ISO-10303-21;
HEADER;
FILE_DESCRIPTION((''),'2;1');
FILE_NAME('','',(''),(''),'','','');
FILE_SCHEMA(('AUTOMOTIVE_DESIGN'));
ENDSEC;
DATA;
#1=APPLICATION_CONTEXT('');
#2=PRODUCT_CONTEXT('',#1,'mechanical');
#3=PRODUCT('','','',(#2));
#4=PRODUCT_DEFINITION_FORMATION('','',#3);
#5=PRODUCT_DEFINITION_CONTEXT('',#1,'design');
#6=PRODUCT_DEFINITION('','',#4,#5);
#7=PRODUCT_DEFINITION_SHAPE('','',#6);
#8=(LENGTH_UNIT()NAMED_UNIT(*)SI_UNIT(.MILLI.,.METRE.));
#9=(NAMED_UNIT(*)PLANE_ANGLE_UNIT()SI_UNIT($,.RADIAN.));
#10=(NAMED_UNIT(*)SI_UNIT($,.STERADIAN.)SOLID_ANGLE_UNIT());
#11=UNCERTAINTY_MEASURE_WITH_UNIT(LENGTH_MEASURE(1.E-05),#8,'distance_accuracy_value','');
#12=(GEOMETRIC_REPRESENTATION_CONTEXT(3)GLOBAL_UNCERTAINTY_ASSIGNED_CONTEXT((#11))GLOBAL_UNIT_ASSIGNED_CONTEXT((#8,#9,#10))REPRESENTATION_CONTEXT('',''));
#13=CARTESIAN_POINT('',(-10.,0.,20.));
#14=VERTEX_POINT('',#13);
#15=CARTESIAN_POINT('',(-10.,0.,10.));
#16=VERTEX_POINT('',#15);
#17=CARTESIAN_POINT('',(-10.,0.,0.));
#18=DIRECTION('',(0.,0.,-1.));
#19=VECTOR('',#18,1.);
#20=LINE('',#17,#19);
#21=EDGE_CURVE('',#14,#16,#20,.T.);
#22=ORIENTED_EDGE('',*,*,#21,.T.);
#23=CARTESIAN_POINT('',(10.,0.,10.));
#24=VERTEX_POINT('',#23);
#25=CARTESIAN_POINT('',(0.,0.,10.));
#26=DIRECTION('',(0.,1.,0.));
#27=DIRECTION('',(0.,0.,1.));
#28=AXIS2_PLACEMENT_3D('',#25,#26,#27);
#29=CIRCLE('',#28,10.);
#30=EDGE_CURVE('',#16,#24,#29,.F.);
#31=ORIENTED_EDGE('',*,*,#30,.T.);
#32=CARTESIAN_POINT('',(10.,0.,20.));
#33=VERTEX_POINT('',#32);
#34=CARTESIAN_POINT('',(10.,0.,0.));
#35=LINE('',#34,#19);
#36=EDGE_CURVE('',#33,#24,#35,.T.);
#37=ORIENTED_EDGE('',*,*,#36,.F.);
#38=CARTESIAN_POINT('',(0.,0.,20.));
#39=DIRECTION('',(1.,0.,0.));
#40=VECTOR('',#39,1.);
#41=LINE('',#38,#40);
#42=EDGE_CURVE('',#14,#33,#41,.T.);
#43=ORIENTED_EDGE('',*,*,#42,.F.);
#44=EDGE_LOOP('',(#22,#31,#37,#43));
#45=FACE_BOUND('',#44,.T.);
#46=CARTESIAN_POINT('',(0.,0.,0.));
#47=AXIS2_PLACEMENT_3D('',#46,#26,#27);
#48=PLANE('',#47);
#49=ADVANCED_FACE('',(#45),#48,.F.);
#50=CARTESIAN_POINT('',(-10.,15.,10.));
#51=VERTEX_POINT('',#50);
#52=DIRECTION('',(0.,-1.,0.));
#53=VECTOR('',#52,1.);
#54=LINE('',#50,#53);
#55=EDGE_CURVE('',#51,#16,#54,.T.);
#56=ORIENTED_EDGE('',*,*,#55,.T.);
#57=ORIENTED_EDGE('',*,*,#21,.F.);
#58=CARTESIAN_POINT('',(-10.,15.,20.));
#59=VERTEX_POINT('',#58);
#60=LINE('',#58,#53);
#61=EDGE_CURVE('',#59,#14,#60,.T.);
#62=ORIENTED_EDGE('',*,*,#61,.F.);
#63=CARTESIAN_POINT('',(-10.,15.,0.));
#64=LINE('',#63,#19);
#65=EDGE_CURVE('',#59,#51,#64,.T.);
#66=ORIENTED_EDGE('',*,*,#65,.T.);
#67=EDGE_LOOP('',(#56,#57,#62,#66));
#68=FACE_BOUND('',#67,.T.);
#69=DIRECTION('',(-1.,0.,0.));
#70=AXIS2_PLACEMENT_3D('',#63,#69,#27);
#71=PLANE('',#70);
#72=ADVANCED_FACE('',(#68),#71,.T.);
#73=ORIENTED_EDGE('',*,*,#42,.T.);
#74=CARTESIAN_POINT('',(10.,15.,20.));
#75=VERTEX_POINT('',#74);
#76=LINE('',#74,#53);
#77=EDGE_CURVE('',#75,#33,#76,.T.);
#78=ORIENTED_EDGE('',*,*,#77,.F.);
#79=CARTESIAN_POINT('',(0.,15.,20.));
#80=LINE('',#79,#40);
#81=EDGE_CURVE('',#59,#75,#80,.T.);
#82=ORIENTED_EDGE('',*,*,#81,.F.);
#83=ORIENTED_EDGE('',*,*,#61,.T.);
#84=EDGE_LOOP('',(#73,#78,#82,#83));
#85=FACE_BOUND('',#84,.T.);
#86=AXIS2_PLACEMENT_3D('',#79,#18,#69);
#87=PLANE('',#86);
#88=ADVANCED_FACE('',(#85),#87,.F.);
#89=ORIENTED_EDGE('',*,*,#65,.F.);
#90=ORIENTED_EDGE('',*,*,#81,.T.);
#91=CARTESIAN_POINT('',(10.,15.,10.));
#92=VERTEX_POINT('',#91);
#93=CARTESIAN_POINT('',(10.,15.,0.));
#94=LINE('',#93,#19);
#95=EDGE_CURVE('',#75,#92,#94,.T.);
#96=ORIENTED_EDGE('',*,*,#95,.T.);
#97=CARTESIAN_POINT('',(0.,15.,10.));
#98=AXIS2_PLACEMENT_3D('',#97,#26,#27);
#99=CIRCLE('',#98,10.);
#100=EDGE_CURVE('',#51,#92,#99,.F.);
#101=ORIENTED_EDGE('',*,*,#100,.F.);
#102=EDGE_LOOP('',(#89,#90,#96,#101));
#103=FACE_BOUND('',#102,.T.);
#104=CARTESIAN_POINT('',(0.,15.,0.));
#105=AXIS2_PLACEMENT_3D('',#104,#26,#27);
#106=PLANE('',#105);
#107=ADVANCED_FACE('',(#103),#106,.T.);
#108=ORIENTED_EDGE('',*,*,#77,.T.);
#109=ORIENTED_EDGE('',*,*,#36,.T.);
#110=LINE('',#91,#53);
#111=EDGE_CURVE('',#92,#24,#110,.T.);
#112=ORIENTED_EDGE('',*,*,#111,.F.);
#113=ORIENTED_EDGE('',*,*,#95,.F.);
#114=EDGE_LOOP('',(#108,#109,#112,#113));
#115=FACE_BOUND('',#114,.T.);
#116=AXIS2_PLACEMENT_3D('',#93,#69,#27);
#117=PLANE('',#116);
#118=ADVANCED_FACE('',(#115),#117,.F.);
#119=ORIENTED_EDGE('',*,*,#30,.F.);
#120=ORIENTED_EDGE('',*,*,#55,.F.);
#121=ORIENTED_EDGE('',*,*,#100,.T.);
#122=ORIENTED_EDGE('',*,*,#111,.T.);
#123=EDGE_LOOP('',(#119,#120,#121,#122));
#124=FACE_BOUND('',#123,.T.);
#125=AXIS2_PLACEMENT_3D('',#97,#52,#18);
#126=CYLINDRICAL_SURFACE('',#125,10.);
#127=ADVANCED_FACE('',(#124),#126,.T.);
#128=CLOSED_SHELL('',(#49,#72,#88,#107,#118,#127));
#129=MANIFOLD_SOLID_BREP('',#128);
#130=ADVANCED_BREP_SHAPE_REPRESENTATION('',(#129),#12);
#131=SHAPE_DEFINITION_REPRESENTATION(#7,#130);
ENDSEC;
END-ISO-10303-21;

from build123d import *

# Parameters (mm, degrees)
BOSS_EXTRUDE1_DEPTH = 15


with BuildPart() as part:
    # Sketch1 → Boss-Extrude1 (new body)
    with BuildSketch(Plane(origin=(0, 0, 0), x_dir=(1, 0, 0), z_dir=(0, 1, 0))):
        with BuildLine():
            ThreePointArc((10, -10), (7.071067812, -2.928932188), (0, 0))
            Line((0, 0), (0, -20))
            Line((0, -20), (10, -20))
            Line((10, -20), (10, -10))
        make_face()
        with BuildLine():
            Line((0, -20), (0, 0))
            ThreePointArc((0, 0), (-7.071067812, -2.928932188), (-10, -10))
            Line((-10, -10), (-10, -20))
            Line((-10, -20), (0, -20))
        make_face()
    extrude(amount=BOSS_EXTRUDE1_DEPTH)


solid = part.part
